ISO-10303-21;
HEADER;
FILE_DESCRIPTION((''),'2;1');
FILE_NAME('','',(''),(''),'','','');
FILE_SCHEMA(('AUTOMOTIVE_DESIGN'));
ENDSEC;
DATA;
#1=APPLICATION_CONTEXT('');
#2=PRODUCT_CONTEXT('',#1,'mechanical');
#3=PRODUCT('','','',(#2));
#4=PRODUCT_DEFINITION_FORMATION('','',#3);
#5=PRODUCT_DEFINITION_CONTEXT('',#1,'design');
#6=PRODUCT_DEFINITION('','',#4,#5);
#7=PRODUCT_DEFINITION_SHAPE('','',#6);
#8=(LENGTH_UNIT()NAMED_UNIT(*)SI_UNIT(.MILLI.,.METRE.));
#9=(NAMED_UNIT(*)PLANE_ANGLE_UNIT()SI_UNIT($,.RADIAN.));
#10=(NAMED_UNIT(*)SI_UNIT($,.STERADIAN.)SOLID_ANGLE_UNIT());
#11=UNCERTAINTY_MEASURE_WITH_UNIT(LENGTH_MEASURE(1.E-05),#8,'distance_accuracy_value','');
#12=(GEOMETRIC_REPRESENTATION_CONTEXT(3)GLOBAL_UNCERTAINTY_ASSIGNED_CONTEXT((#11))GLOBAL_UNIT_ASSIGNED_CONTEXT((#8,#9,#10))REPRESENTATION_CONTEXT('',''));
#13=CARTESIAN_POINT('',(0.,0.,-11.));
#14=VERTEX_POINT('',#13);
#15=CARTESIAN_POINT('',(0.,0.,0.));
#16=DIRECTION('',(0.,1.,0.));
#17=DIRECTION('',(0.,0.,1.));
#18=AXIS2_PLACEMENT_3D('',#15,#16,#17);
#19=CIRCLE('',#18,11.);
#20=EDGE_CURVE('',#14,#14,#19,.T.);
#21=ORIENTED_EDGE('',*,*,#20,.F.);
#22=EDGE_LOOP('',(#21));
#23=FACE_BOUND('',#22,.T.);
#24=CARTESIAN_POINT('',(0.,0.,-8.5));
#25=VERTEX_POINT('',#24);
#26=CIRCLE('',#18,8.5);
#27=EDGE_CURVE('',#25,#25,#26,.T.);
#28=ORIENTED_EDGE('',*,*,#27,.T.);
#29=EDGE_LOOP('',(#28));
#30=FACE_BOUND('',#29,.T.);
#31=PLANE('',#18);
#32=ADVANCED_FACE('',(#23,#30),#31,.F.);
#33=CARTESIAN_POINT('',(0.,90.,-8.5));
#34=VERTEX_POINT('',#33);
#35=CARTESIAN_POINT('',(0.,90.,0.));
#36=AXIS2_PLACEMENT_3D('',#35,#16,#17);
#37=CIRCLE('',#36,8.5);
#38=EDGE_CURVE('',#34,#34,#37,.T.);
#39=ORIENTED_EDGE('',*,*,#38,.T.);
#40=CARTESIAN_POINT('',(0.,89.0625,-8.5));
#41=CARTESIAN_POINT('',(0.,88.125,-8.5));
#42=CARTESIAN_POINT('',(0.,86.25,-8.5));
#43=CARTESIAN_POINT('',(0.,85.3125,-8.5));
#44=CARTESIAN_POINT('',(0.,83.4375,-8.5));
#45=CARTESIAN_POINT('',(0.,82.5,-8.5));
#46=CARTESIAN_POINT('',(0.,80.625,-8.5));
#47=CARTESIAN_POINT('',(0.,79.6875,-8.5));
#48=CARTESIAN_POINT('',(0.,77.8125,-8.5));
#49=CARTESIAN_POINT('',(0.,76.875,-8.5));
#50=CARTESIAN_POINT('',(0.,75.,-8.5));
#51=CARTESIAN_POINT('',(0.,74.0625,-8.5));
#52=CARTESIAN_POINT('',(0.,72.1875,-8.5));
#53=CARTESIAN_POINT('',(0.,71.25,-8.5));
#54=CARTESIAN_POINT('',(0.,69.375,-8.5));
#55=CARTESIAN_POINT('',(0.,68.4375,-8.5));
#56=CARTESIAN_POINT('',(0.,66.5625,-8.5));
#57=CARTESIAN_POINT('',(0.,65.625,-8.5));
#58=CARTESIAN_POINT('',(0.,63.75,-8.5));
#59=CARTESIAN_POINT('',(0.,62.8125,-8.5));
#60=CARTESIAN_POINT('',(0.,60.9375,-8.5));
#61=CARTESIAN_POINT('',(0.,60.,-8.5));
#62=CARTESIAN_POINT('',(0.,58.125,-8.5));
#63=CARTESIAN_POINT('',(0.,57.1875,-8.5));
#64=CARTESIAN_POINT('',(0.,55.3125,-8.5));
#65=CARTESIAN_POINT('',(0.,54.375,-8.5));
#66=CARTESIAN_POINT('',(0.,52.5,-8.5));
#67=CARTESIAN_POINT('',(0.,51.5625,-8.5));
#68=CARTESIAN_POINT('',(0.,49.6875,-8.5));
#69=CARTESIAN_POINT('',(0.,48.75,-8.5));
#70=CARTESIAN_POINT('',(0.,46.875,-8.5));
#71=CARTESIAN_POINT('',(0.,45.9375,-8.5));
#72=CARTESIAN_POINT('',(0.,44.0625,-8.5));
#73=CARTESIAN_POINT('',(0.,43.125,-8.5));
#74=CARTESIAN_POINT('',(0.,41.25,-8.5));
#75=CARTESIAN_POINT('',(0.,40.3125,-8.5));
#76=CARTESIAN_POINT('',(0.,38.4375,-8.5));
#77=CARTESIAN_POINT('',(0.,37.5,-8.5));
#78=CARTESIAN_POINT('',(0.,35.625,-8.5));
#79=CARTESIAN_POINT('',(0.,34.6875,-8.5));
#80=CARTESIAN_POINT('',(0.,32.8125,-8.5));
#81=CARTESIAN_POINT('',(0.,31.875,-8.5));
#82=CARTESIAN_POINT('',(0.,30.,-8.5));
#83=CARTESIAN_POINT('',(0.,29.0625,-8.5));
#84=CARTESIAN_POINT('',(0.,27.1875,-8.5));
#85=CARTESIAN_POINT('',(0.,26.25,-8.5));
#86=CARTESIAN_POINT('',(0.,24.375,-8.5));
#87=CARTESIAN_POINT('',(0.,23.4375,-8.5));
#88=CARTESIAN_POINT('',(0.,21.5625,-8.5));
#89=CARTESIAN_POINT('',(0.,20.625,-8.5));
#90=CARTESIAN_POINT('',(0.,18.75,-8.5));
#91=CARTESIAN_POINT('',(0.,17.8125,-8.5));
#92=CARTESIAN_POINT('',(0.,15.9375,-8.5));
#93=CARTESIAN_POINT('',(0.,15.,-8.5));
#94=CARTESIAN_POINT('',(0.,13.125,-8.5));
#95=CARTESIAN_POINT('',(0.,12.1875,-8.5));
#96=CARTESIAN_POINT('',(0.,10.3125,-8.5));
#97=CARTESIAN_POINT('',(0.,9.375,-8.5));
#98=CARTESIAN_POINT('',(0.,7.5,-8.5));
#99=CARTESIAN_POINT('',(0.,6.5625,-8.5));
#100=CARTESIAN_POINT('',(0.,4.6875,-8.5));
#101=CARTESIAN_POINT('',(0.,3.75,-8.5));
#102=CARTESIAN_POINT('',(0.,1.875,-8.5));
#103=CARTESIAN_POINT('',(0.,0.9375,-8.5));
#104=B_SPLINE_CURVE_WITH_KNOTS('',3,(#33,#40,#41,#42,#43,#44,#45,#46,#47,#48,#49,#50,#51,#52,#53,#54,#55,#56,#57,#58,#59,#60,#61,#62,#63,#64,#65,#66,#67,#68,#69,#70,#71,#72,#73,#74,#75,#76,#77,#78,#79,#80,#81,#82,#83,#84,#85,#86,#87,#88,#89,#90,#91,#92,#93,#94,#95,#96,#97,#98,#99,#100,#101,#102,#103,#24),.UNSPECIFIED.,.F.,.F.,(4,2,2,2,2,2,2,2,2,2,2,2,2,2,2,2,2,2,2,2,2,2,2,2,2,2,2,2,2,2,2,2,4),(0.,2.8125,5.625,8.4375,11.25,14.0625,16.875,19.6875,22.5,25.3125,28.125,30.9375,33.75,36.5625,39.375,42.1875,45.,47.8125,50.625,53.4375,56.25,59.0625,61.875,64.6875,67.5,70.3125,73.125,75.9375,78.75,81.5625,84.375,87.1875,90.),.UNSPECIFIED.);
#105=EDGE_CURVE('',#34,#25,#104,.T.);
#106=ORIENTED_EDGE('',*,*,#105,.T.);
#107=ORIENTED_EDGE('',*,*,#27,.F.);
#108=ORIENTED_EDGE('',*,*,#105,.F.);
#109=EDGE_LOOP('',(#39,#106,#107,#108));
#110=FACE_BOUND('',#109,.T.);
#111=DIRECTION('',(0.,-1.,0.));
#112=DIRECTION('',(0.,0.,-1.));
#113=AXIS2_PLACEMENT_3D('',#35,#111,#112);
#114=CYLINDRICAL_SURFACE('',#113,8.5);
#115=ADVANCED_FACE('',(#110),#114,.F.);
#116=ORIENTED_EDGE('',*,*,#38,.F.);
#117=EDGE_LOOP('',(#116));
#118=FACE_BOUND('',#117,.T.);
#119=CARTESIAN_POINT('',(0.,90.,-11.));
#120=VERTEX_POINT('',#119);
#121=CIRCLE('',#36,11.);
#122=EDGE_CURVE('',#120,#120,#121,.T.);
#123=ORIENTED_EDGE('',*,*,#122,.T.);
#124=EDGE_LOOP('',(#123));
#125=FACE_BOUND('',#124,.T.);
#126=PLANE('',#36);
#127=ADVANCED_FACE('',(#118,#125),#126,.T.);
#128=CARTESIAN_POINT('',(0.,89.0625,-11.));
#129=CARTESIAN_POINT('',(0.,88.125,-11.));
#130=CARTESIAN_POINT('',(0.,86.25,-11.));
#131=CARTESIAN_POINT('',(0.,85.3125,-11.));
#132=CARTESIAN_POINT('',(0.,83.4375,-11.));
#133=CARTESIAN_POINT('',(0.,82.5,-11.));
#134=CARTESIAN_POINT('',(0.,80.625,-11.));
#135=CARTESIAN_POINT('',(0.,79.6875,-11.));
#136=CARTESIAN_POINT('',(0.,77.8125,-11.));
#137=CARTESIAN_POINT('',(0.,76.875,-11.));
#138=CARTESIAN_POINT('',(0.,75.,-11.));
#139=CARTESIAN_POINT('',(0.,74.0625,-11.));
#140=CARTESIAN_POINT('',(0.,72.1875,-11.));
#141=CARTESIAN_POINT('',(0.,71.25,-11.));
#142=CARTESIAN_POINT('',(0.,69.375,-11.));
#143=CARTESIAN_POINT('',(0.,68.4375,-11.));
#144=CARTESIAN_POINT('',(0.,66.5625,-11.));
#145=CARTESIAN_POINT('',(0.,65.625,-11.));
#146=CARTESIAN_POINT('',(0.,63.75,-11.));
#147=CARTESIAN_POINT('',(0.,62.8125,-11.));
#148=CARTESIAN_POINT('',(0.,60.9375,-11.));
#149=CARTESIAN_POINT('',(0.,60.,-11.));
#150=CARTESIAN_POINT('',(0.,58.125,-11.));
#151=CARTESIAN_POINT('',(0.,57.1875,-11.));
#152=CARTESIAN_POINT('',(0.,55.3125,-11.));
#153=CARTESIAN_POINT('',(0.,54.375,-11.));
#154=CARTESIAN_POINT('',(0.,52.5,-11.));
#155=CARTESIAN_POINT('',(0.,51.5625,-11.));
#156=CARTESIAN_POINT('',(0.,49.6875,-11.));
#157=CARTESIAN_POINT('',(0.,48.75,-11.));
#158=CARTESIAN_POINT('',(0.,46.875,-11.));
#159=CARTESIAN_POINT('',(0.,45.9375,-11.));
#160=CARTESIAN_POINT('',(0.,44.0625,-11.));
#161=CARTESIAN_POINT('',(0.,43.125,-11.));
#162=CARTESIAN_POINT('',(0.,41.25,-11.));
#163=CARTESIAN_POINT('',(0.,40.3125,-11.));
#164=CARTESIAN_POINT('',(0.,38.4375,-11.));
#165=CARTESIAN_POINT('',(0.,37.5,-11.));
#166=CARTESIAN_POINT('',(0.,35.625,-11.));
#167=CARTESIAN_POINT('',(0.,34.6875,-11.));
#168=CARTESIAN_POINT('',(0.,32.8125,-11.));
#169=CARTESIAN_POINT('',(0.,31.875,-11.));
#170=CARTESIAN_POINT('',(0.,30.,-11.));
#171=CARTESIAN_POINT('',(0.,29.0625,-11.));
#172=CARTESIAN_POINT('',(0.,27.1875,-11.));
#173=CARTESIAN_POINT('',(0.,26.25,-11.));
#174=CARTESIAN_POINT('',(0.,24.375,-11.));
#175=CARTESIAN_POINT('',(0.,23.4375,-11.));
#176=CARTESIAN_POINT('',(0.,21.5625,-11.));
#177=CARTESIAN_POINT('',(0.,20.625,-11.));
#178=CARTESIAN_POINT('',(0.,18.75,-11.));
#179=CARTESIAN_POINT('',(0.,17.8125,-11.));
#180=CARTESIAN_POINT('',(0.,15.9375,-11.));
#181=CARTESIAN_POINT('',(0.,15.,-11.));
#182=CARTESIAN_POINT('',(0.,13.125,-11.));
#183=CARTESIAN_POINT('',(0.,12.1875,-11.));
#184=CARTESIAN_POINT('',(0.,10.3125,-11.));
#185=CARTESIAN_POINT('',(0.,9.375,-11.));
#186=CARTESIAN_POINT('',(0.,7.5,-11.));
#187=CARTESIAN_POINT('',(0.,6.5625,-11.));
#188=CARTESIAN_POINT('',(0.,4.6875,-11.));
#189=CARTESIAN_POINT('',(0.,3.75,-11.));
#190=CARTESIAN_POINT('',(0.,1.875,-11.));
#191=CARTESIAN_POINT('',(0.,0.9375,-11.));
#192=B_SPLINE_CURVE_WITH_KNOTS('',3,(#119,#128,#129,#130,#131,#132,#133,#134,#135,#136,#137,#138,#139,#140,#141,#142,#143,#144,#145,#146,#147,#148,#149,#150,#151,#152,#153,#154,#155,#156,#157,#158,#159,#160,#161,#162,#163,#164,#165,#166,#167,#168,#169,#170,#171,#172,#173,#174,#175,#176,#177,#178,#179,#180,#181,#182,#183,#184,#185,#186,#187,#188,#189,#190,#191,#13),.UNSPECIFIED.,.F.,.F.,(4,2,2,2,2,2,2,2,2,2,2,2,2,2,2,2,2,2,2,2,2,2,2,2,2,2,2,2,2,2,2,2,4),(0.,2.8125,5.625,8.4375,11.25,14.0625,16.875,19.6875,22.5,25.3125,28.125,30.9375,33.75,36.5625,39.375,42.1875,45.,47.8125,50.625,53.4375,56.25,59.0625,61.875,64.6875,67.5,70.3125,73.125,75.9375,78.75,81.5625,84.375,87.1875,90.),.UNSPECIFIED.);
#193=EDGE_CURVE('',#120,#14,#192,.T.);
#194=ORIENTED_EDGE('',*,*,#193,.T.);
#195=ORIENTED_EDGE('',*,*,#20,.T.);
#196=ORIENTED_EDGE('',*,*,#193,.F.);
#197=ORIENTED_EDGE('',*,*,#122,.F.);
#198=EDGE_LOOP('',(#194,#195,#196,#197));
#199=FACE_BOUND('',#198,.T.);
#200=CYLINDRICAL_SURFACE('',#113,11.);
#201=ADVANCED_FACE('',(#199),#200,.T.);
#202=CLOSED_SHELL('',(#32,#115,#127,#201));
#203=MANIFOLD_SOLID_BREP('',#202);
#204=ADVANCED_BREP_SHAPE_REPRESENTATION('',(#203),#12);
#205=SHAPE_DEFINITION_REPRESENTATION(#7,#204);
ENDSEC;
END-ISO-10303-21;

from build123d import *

# Parameters (mm, degrees)
SKETCH1_R           = 11
SKETCH1_R_2         = 8.5
BOSS_EXTRUDE1_DEPTH = 90


with BuildPart() as part:
    # Sketch1 → Boss-Extrude1 (new body)
    with BuildSketch(Plane(origin=(0, 0, 0), x_dir=(1, 0, 0), z_dir=(0, 1, 0))):
        with Locations(Location((0, 0, 0), (0, 0, 90))):
            Circle(SKETCH1_R)
        with Locations(Location((0, 0, 0), (0, 0, 90))):
            Circle(SKETCH1_R_2, mode=Mode.SUBTRACT)
    extrude(amount=BOSS_EXTRUDE1_DEPTH)


solid = part.part
